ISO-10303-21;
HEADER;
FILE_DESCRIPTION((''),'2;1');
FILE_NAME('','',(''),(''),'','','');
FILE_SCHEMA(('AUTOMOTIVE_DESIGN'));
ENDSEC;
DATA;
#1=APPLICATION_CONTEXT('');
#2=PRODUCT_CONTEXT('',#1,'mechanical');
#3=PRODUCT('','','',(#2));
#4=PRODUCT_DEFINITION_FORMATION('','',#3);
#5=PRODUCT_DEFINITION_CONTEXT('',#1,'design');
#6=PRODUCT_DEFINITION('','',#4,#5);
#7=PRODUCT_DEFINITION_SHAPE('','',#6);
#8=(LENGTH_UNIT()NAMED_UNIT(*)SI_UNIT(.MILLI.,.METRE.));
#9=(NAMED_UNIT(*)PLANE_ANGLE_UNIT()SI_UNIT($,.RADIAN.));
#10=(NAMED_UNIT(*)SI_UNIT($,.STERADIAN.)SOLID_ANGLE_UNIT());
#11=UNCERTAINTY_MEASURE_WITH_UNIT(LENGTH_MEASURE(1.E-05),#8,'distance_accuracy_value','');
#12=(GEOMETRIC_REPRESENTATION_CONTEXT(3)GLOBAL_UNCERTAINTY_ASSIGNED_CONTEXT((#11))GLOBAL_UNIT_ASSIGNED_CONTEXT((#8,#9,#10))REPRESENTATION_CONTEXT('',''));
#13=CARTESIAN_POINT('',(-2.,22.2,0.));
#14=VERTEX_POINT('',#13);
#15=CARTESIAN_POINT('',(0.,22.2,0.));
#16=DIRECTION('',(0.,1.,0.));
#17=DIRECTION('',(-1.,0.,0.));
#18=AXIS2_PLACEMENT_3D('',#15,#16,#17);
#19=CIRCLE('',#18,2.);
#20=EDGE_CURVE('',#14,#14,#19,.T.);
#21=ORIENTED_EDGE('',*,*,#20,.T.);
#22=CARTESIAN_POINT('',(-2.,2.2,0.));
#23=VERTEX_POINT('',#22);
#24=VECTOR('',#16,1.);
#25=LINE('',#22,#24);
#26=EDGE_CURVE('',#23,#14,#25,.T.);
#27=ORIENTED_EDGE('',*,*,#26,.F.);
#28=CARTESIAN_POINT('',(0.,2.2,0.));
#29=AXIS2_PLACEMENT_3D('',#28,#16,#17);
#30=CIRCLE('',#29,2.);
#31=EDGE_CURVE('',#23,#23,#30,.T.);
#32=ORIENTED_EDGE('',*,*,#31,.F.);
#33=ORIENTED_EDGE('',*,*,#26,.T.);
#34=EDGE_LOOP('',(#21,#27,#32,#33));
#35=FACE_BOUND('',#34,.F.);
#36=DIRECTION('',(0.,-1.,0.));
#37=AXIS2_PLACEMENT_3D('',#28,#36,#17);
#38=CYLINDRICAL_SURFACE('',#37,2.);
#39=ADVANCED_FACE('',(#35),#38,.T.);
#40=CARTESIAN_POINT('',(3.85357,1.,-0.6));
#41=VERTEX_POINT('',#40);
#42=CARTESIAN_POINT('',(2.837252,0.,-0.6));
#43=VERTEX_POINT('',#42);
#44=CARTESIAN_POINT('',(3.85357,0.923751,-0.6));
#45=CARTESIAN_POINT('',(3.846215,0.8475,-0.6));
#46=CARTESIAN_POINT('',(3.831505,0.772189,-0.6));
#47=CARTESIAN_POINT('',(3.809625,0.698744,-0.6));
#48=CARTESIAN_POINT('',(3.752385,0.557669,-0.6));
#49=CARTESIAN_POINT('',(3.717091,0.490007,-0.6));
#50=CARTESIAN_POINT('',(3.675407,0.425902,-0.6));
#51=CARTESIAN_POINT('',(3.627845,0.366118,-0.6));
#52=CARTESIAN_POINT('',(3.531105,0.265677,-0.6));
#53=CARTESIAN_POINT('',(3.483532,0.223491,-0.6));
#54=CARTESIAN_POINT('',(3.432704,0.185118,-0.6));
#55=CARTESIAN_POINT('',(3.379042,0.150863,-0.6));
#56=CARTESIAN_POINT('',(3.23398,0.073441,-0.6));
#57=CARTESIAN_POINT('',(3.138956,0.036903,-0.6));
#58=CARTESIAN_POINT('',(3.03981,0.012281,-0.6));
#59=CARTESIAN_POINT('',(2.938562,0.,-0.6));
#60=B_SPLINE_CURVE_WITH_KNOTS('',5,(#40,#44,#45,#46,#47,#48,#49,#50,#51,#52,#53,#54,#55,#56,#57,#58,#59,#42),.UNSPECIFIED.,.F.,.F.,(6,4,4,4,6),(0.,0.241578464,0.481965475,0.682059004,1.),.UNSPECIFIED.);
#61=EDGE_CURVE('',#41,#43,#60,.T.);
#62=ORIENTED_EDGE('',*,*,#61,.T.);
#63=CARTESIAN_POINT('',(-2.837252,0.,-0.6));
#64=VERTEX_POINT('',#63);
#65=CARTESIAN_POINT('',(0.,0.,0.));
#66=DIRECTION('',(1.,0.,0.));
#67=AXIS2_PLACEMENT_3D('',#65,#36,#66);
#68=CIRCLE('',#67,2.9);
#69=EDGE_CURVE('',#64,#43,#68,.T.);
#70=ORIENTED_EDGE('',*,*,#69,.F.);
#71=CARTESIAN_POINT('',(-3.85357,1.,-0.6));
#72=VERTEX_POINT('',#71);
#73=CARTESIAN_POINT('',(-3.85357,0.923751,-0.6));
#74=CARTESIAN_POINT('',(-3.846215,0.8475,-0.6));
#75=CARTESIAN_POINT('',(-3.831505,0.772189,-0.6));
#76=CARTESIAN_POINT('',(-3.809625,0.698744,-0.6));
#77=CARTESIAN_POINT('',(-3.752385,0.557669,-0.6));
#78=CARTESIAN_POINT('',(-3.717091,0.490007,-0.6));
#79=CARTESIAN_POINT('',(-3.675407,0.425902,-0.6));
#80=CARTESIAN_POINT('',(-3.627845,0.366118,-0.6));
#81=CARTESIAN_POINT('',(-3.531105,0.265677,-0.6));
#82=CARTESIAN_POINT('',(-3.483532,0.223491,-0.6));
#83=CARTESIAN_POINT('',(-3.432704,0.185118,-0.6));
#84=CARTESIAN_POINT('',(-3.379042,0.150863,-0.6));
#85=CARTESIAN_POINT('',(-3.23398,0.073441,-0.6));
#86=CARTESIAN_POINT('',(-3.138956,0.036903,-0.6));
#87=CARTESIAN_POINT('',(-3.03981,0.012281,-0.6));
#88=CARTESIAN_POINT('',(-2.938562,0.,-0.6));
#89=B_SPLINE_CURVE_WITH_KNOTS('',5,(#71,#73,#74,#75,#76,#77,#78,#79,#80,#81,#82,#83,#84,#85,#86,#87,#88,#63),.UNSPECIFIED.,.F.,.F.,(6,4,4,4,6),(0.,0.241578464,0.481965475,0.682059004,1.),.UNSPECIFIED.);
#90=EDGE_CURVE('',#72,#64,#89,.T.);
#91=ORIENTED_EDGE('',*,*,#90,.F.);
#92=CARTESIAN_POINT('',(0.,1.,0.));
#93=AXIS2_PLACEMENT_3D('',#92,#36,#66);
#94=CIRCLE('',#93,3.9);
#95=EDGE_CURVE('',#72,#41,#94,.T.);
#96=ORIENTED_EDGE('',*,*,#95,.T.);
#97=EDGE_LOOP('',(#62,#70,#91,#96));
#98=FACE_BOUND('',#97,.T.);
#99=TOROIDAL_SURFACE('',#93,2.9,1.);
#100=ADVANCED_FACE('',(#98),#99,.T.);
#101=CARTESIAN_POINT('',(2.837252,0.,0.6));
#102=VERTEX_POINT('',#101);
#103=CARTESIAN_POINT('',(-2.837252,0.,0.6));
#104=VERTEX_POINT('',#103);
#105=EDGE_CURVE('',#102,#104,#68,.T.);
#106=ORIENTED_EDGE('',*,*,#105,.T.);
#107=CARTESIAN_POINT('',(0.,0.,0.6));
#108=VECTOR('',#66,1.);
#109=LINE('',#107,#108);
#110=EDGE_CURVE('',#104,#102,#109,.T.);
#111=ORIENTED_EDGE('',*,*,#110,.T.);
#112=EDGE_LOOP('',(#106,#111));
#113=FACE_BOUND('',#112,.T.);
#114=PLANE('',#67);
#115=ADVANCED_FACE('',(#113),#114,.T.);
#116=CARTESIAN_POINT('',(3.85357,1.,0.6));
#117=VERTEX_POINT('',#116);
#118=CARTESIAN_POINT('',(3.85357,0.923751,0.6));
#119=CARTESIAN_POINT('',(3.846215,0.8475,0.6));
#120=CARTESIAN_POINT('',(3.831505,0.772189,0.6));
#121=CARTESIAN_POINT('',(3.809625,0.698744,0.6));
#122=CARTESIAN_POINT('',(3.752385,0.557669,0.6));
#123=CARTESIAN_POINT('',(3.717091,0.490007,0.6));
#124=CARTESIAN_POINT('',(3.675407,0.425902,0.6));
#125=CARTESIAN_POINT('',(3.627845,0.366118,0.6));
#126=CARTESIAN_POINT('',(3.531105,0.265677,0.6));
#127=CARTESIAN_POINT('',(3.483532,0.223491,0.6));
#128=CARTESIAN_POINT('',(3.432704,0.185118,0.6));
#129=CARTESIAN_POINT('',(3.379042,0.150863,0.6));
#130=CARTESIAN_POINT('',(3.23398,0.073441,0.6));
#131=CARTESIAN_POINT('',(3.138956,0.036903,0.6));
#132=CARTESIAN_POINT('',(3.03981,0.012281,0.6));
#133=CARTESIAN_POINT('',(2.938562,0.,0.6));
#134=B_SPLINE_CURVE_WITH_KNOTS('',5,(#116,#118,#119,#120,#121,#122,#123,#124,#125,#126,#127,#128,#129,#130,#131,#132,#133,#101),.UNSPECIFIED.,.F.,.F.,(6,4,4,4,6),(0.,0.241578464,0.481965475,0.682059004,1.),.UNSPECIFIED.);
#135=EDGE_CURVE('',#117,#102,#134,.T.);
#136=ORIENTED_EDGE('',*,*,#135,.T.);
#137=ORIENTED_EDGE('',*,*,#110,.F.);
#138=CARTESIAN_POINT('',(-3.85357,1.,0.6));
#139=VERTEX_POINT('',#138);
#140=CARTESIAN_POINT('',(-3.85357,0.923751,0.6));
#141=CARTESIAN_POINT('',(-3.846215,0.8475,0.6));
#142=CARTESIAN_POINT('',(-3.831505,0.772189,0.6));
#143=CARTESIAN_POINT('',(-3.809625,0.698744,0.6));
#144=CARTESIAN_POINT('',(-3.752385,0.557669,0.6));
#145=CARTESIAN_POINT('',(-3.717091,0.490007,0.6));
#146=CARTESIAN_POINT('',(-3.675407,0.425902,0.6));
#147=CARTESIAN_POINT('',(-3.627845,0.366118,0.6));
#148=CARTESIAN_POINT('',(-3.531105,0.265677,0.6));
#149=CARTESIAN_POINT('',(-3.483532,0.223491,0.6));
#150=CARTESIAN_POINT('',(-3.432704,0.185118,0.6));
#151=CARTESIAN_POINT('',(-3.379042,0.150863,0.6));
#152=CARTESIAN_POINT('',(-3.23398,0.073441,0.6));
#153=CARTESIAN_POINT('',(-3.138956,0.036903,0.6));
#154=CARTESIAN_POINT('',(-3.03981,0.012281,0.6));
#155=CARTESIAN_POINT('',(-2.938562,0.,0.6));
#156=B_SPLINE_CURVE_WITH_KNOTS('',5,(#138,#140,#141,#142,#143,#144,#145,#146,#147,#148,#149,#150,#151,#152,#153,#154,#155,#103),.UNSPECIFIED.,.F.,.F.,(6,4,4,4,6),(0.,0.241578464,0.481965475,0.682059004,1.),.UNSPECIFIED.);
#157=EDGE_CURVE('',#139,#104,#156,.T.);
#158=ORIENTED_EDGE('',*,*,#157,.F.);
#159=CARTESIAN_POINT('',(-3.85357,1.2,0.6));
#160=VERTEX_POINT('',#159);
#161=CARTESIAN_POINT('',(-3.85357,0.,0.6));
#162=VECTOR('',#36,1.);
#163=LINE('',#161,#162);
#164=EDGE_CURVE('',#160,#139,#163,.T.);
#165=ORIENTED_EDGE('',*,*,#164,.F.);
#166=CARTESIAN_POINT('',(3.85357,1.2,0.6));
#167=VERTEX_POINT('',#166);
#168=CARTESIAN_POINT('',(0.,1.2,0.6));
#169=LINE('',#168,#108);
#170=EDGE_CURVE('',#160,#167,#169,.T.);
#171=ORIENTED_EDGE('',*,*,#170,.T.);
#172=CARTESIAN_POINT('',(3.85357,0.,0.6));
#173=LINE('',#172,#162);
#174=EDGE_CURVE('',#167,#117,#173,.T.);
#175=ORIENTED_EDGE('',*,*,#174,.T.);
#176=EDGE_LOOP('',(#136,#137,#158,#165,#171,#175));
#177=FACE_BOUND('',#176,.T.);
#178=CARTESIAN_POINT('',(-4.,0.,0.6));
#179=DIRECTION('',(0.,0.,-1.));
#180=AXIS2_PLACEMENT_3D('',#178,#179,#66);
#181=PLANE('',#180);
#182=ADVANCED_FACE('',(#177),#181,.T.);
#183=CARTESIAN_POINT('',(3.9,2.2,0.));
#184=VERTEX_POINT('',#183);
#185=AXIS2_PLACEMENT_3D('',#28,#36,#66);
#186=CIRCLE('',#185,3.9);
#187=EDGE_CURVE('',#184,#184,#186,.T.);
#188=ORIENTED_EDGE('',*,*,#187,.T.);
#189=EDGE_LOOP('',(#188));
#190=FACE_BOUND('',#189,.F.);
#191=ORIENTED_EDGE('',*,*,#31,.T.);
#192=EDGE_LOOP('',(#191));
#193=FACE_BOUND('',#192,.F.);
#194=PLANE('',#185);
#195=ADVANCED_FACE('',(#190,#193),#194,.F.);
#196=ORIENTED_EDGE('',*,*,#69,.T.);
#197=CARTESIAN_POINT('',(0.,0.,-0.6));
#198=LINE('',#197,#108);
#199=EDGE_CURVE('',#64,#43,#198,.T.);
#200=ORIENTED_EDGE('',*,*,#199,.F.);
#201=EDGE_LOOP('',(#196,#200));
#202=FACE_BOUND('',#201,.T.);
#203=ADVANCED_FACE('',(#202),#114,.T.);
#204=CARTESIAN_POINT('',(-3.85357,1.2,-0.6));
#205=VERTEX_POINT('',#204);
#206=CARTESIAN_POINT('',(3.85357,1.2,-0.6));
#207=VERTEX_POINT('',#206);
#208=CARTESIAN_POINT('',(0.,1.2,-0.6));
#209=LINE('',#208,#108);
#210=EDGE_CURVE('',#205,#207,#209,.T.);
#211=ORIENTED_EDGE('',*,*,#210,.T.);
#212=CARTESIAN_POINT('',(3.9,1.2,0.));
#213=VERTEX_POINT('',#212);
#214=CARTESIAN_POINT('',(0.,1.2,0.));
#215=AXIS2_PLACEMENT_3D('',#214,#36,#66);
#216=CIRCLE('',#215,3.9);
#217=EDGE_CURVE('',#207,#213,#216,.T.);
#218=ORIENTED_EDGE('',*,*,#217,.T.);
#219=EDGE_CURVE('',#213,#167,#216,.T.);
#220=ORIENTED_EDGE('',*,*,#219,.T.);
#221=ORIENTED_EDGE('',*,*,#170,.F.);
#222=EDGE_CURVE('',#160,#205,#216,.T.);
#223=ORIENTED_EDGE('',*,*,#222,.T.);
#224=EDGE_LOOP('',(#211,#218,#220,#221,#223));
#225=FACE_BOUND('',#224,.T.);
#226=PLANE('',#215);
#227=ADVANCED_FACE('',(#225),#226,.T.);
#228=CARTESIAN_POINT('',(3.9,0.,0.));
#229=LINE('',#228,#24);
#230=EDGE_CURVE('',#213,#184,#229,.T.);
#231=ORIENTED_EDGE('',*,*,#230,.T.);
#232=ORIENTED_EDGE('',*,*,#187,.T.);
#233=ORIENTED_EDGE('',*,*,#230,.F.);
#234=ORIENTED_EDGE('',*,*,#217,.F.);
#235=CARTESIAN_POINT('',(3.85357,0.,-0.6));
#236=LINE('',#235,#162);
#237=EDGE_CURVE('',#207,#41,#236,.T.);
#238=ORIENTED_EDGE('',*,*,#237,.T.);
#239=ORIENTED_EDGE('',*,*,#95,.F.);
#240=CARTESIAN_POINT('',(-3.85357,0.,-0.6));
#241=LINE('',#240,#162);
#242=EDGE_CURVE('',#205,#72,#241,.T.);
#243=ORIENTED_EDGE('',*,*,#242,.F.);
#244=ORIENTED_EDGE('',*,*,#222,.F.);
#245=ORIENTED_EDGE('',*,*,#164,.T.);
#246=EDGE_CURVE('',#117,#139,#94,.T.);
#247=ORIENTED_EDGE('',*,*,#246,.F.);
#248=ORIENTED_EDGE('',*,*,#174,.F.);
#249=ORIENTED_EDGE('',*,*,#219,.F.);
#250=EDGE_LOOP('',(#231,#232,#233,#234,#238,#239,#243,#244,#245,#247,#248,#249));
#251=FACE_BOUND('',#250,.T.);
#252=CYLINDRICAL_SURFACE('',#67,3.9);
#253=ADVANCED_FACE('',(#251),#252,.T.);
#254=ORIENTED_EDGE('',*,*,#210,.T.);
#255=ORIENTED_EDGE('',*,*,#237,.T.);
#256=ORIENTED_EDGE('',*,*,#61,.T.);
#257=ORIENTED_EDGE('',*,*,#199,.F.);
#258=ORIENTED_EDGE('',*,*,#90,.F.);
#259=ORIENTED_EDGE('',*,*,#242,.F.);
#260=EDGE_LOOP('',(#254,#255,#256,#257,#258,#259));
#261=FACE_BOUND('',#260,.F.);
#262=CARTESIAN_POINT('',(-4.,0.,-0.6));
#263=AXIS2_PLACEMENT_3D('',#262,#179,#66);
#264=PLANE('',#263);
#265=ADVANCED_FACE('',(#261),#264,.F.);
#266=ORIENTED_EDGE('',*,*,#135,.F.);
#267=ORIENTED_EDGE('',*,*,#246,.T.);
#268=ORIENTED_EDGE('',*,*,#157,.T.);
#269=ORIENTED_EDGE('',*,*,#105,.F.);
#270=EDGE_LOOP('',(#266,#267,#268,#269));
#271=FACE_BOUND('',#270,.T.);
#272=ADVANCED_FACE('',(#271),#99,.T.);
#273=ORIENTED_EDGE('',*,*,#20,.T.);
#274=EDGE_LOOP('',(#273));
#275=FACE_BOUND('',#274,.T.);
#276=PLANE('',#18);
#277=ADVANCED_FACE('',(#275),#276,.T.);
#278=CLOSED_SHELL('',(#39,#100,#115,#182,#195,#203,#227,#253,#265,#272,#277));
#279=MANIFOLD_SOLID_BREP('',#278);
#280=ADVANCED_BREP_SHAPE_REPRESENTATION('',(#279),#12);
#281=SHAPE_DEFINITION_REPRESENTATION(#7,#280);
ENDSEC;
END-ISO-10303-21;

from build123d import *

# Parameters (mm, degrees)
F0_R     = 3.9
F1_DEPTH = 2.2
F2_R     = 1
F3_W     = 8
F3_H     = 1.2
F4_DEPTH = 1.2
F5_R     = 2
F6_DEPTH = 20


with BuildPart() as f1:
    # F0 (on Front) → F1 (new body)
    with BuildSketch(Plane.XZ):
        Circle(F0_R)
    extrude(amount=-F1_DEPTH)

    # F2
    f2_edges = [f1.edges().sort_by_distance(p)[0] for p in [
        (-3.9, 0, 0),
    ]]
    fillet(f2_edges, radius=F2_R)

    # F3 (on face) → F4 (cut)
    with BuildSketch(Plane.XZ):
        Rectangle(F3_W, F3_H)
    extrude(amount=-F4_DEPTH, mode=Mode.SUBTRACT)

    # F5 (on face) → F6 (join)
    with BuildSketch(Plane(origin=(0, 2.2, 0), x_dir=(-1, 0, 0), z_dir=(0, 1, 0))):
        Circle(F5_R)
    extrude(amount=F6_DEPTH)


solid = f1.part
